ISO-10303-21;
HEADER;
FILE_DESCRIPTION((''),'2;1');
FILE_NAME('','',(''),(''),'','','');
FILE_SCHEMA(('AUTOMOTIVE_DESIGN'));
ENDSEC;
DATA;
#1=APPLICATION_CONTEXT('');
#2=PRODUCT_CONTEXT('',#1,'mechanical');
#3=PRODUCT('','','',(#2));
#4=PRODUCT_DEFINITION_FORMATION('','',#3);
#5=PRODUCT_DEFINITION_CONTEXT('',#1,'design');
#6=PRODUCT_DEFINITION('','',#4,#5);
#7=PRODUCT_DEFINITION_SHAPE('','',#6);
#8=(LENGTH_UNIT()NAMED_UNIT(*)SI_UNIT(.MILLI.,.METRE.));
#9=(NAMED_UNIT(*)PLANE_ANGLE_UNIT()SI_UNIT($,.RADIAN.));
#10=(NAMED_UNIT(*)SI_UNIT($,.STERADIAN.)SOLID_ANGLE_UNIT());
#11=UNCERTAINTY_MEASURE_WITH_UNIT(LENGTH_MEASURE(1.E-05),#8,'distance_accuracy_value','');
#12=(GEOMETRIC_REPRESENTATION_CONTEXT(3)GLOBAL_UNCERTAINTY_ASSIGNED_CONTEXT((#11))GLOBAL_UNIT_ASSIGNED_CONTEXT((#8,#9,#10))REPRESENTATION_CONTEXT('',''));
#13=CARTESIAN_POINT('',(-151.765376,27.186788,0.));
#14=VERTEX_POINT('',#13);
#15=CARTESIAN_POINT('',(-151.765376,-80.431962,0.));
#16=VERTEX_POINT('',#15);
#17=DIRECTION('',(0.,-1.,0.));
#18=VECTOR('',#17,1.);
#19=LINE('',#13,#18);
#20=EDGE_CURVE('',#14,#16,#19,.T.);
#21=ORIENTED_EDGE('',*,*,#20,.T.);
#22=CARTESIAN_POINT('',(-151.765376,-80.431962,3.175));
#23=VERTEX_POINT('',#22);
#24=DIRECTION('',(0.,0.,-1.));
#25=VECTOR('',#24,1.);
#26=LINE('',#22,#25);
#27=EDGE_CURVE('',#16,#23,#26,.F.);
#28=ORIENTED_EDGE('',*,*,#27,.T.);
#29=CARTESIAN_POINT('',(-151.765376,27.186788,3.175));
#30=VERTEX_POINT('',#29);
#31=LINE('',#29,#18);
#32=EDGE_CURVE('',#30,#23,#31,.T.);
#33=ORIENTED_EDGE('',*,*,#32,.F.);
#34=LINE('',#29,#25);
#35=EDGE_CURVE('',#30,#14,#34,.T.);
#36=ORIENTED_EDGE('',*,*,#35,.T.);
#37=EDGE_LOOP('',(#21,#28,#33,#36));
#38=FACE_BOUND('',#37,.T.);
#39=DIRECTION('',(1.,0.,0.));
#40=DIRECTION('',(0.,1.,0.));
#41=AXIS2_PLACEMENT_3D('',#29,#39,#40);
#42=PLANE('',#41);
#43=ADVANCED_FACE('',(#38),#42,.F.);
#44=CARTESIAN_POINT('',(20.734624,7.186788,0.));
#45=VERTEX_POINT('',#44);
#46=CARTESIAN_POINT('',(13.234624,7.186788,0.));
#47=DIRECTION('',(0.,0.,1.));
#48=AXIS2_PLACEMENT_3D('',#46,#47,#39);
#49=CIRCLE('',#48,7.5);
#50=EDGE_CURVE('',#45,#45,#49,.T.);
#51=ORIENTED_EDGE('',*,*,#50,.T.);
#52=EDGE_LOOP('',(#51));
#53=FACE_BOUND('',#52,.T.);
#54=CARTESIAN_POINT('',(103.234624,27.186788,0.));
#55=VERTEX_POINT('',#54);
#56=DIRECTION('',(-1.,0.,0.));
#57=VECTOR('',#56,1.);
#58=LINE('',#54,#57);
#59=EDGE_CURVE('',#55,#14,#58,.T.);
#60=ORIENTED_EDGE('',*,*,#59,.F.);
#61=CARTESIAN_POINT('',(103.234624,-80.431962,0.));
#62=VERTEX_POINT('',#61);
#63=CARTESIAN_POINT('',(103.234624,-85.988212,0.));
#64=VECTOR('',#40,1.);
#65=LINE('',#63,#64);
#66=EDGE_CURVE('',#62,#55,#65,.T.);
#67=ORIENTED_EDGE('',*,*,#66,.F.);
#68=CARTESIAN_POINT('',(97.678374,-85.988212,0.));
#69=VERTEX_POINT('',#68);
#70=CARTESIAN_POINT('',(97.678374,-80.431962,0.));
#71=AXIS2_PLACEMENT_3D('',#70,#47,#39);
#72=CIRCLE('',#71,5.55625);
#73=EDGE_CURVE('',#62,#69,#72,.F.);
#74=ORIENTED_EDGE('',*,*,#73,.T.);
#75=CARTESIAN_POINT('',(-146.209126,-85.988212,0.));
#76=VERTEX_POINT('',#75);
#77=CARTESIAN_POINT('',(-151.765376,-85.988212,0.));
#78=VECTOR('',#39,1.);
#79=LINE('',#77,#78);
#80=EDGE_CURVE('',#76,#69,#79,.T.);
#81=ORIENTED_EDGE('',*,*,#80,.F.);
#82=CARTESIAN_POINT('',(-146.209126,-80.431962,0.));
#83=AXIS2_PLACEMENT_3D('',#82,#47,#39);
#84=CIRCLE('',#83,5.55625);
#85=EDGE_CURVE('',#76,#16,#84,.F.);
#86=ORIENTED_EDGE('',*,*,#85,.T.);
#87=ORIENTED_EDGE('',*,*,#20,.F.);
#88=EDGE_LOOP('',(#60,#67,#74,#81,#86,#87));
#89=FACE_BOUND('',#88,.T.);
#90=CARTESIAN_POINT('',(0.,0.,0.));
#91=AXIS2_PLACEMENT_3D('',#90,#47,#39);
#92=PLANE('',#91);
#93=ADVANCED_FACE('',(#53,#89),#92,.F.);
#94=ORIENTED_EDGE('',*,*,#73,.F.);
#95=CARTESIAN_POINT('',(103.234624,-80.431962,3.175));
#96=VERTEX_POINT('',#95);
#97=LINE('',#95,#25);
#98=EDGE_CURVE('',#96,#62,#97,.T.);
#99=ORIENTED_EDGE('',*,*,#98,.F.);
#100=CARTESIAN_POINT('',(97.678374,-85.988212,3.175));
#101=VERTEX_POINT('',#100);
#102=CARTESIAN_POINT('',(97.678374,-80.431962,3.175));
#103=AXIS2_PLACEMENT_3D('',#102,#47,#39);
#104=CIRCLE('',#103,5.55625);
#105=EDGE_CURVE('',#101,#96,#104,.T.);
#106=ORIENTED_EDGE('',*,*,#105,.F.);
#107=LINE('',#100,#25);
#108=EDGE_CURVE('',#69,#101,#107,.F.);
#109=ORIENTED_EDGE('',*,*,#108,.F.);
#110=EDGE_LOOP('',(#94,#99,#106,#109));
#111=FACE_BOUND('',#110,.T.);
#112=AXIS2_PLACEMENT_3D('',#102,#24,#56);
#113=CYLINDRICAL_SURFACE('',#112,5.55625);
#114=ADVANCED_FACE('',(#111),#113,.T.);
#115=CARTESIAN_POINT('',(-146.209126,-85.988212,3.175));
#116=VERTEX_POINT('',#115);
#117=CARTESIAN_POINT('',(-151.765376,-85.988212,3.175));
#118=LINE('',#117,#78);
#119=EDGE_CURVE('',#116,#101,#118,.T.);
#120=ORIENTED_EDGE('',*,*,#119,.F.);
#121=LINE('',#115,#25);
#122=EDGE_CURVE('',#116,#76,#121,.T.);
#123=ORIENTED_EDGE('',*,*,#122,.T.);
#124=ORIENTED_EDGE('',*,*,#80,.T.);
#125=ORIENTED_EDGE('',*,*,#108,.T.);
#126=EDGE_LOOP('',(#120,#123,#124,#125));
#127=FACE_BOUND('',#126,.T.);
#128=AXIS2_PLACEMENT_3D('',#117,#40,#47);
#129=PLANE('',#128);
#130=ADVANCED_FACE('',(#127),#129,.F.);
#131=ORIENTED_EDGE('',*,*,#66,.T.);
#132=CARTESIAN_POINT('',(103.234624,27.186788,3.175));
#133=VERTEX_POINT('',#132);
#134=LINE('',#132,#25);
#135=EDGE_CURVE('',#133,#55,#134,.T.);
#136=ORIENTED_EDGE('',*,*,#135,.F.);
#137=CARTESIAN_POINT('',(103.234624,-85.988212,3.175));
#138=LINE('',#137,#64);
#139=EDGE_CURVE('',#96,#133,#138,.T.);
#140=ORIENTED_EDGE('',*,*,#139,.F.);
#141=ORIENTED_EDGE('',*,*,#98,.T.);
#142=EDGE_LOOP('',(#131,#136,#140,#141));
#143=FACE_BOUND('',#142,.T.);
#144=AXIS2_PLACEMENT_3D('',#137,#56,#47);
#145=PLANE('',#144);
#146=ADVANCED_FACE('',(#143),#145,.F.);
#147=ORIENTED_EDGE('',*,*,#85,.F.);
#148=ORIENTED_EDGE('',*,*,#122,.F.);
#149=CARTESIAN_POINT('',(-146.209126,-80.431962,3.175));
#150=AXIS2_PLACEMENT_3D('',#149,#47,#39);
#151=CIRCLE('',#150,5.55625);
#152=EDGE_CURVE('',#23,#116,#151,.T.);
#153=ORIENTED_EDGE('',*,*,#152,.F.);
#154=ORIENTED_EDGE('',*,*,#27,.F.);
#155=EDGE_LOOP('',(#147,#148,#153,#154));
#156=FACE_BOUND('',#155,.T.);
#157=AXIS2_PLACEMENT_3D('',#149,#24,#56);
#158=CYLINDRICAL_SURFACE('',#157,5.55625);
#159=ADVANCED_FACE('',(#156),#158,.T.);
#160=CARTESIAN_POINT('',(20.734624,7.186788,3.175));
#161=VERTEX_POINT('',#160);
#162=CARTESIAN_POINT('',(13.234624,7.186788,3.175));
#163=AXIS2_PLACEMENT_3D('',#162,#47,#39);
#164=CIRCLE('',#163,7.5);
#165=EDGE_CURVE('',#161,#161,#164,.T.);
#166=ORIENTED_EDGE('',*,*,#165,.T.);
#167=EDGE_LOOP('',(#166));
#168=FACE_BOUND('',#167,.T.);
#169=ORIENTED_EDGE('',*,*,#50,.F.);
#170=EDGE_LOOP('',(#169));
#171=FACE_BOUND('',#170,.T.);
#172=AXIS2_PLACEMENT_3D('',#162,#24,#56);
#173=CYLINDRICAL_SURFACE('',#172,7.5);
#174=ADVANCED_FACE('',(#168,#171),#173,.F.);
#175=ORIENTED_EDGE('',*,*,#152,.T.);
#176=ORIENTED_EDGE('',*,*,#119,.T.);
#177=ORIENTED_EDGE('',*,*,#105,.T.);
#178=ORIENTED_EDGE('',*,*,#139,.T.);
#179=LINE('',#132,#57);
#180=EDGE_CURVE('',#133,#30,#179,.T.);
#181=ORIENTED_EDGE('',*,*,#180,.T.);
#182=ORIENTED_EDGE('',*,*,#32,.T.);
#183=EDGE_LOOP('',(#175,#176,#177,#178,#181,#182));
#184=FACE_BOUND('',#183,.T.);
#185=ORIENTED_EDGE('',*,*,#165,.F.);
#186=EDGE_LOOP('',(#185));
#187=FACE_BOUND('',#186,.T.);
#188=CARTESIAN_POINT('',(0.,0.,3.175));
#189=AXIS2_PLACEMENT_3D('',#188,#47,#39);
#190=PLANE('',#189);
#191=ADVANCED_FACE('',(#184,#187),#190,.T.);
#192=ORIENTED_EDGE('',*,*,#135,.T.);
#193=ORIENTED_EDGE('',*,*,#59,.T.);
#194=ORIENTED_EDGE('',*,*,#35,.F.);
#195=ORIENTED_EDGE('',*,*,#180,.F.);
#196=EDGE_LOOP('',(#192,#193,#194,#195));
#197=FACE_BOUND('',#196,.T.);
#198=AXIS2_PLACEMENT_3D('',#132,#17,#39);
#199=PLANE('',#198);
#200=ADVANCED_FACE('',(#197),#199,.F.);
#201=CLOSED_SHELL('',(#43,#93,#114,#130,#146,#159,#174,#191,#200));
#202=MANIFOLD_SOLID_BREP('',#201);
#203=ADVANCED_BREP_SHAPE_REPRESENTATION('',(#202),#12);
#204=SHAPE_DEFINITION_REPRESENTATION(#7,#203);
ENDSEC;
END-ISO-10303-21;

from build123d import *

# Parameters (mm, degrees)
SKETCH1_W           = 255
SKETCH1_H           = 113.175
SKETCH1_R           = 7.5
BOSS_EXTRUDE1_DEPTH = 3.175
FILLET1_R           = 5.55625


with BuildPart() as part:
    # Sketch1 → Boss-Extrude1 (new body)
    with BuildSketch(Plane.XY):
        with Locations((-24.265375854, -29.400711845)):
            Rectangle(SKETCH1_W, SKETCH1_H)
        with Locations((13.234624146, 7.186788155)):
            Circle(SKETCH1_R, mode=Mode.SUBTRACT)
    extrude(amount=BOSS_EXTRUDE1_DEPTH)

    # Fillet1
    fillet1_edges = [part.edges().sort_by_distance(p)[0] for p in [
        (103.234624146, -85.988211845, 1.5875),
        (-151.765375854, -85.988211845, 1.5875),
    ]]
    fillet(fillet1_edges, radius=FILLET1_R)


solid = part.part
